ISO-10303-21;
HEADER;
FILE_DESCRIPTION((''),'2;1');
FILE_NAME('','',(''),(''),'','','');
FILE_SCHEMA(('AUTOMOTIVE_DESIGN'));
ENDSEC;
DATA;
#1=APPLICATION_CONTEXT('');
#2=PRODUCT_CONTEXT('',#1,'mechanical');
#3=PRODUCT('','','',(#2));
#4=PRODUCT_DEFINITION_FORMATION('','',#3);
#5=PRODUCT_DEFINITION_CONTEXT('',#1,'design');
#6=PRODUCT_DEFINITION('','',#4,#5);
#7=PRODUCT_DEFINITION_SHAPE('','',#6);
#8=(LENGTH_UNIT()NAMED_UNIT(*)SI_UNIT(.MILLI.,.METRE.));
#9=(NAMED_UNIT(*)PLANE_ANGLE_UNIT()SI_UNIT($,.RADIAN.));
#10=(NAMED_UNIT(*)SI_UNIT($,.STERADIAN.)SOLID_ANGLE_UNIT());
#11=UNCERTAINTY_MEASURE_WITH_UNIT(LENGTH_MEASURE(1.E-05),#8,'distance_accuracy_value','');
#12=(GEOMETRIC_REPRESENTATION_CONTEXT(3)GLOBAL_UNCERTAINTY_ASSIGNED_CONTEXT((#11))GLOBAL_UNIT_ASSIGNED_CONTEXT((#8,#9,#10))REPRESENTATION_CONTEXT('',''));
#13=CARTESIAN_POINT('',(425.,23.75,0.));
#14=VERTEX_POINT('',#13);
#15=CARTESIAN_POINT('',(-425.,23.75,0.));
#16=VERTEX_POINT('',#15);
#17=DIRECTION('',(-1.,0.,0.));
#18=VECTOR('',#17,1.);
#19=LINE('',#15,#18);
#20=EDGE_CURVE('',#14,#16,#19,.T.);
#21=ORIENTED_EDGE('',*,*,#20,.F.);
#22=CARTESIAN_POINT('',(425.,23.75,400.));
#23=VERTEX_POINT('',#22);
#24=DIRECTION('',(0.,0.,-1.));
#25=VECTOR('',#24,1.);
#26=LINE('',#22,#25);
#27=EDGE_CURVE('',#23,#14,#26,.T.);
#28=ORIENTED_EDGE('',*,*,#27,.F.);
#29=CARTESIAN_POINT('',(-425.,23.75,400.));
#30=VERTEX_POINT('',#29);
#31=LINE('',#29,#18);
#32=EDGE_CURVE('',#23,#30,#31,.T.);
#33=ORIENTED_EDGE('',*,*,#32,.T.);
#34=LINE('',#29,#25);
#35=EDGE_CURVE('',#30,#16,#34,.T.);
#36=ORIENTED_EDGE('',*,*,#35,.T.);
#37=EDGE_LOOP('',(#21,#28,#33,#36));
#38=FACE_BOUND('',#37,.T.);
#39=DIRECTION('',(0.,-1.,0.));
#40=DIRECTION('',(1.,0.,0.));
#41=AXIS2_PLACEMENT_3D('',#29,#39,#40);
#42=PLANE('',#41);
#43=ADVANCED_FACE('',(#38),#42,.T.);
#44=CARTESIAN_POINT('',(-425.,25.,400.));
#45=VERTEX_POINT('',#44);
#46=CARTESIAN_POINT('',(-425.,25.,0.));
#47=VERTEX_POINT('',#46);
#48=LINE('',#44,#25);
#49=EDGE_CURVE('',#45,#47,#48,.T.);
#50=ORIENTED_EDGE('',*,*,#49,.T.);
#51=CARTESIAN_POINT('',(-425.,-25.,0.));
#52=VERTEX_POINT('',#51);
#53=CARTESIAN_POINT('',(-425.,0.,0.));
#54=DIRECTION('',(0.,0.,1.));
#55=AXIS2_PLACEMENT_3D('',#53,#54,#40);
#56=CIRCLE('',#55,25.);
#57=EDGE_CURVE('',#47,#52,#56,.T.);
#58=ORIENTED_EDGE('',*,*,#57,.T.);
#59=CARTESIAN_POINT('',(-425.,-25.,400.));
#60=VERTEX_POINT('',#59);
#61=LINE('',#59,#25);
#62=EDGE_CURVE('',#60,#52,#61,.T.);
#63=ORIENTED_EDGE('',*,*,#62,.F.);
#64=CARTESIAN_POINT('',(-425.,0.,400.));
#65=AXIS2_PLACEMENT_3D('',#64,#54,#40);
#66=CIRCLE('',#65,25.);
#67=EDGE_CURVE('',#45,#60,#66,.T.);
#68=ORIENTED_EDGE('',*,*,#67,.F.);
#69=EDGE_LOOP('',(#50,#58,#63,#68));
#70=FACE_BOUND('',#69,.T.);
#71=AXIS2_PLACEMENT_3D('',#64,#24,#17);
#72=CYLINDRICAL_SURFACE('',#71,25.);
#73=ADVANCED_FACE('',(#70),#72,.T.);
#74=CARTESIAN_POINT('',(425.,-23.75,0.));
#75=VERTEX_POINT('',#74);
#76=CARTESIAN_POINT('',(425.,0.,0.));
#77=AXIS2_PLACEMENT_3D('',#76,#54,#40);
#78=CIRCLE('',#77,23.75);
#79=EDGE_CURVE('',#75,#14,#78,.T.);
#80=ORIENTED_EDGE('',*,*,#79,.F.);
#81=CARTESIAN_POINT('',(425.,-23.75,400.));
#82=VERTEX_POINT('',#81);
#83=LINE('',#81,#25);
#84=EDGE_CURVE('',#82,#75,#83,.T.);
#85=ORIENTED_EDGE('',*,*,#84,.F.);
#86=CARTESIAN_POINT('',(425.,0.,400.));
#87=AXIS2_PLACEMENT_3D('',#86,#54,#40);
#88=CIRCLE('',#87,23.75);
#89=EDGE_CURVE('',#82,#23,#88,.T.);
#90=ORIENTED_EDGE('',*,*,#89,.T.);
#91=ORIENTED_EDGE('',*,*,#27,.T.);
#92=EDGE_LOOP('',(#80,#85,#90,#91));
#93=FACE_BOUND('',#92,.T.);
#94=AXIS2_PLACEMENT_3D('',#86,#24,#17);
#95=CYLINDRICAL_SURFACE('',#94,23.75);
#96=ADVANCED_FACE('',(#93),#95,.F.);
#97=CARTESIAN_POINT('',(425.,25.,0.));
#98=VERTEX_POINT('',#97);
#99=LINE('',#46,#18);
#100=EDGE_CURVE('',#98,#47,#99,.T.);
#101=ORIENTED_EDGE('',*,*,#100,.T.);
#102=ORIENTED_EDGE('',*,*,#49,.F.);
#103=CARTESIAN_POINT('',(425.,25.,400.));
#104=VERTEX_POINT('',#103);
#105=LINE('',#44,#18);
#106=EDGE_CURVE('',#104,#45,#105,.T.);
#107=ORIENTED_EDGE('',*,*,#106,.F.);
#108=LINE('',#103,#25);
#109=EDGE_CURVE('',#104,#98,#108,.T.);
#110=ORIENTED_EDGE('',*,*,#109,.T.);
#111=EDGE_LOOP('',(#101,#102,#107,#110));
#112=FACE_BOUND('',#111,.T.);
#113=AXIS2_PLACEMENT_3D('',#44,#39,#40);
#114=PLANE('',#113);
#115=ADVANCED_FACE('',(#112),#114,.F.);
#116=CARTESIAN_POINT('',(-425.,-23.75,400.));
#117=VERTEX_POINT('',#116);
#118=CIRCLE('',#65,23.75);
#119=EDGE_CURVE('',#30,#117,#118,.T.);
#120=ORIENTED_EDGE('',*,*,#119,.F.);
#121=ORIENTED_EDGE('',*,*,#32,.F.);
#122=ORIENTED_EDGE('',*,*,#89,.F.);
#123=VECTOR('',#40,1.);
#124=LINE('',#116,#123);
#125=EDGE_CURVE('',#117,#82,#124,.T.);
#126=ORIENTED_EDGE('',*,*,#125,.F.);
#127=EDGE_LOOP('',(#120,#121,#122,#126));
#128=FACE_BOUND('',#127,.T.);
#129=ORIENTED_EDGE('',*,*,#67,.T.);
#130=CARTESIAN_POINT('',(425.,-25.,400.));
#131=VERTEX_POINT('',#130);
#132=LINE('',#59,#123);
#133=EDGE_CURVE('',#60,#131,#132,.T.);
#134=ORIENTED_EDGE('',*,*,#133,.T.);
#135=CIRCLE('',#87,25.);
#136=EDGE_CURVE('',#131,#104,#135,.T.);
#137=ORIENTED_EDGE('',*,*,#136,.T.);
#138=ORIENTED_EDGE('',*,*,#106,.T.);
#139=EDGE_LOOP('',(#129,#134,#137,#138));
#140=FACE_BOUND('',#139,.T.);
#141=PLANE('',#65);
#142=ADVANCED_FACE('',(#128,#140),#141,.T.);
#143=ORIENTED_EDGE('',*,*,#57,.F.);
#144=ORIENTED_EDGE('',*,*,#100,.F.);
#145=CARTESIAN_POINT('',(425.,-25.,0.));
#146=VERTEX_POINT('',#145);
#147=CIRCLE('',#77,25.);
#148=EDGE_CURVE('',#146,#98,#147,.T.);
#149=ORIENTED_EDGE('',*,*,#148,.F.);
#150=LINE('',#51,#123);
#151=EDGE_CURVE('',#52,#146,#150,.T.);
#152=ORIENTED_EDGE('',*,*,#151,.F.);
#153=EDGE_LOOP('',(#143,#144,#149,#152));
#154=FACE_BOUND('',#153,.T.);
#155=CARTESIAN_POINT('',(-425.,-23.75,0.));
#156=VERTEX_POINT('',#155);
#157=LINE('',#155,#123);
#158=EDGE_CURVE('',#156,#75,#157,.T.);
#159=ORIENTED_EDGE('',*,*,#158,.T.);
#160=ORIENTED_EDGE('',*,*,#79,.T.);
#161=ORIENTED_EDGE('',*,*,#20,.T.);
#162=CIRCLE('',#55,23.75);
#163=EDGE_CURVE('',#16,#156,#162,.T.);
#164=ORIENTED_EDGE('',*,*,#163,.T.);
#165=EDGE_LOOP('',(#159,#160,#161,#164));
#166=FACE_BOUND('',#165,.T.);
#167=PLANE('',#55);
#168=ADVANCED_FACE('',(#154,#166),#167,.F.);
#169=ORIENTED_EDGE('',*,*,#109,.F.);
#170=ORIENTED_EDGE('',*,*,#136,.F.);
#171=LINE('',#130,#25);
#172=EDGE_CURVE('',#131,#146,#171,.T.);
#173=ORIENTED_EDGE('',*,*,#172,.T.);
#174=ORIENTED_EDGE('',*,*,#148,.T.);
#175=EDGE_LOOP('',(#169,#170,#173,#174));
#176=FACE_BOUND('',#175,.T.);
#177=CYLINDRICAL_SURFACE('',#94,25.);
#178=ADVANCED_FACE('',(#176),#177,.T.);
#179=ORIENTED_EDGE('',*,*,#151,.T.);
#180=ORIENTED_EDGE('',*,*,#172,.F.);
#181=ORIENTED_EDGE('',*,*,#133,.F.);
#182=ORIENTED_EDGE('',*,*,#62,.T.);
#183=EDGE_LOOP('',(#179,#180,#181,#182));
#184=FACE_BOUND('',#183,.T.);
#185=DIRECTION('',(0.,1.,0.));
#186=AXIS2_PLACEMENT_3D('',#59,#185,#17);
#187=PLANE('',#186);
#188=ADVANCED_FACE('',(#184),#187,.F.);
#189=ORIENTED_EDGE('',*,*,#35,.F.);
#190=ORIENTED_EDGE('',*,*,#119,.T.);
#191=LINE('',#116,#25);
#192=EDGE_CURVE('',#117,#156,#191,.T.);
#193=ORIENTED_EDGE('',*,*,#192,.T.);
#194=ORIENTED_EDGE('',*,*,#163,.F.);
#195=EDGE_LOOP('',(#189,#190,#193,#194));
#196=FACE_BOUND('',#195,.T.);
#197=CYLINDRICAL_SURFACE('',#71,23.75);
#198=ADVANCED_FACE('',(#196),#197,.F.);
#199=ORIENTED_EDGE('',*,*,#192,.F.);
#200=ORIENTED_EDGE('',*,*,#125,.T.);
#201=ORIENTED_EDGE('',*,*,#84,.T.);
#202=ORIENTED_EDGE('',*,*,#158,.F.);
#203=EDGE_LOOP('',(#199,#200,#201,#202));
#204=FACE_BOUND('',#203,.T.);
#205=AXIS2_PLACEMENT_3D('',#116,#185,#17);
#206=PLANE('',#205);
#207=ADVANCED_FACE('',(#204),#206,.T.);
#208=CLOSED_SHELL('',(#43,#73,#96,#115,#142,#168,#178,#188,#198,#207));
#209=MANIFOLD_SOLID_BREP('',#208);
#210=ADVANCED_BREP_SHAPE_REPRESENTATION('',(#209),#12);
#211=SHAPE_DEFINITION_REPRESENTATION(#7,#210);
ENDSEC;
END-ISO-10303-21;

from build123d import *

# Parameters (mm, degrees)
SALIENTE_EXTRUIR1_DEPTH = 400


with BuildPart() as part:
    # Croquis1 → Saliente-Extruir1 (new body)
    with BuildSketch(Plane.XY):
        with BuildLine():
            Line((-425, 25), (425, 25))
            ThreePointArc((425, 25), (450, 0), (425, -25))
            Line((425, -25), (-425, -25))
            ThreePointArc((-425, -25), (-450, 0), (-425, 25))
        make_face()
        with BuildLine():
            Line((-425, 23.75), (425, 23.75))
            ThreePointArc((425, 23.75), (448.75, 0), (425, -23.75))
            Line((425, -23.75), (-425, -23.75))
            ThreePointArc((-425, -23.75), (-448.75, 0), (-425, 23.75))
        make_face(mode=Mode.SUBTRACT)
    extrude(amount=SALIENTE_EXTRUIR1_DEPTH)


solid = part.part
